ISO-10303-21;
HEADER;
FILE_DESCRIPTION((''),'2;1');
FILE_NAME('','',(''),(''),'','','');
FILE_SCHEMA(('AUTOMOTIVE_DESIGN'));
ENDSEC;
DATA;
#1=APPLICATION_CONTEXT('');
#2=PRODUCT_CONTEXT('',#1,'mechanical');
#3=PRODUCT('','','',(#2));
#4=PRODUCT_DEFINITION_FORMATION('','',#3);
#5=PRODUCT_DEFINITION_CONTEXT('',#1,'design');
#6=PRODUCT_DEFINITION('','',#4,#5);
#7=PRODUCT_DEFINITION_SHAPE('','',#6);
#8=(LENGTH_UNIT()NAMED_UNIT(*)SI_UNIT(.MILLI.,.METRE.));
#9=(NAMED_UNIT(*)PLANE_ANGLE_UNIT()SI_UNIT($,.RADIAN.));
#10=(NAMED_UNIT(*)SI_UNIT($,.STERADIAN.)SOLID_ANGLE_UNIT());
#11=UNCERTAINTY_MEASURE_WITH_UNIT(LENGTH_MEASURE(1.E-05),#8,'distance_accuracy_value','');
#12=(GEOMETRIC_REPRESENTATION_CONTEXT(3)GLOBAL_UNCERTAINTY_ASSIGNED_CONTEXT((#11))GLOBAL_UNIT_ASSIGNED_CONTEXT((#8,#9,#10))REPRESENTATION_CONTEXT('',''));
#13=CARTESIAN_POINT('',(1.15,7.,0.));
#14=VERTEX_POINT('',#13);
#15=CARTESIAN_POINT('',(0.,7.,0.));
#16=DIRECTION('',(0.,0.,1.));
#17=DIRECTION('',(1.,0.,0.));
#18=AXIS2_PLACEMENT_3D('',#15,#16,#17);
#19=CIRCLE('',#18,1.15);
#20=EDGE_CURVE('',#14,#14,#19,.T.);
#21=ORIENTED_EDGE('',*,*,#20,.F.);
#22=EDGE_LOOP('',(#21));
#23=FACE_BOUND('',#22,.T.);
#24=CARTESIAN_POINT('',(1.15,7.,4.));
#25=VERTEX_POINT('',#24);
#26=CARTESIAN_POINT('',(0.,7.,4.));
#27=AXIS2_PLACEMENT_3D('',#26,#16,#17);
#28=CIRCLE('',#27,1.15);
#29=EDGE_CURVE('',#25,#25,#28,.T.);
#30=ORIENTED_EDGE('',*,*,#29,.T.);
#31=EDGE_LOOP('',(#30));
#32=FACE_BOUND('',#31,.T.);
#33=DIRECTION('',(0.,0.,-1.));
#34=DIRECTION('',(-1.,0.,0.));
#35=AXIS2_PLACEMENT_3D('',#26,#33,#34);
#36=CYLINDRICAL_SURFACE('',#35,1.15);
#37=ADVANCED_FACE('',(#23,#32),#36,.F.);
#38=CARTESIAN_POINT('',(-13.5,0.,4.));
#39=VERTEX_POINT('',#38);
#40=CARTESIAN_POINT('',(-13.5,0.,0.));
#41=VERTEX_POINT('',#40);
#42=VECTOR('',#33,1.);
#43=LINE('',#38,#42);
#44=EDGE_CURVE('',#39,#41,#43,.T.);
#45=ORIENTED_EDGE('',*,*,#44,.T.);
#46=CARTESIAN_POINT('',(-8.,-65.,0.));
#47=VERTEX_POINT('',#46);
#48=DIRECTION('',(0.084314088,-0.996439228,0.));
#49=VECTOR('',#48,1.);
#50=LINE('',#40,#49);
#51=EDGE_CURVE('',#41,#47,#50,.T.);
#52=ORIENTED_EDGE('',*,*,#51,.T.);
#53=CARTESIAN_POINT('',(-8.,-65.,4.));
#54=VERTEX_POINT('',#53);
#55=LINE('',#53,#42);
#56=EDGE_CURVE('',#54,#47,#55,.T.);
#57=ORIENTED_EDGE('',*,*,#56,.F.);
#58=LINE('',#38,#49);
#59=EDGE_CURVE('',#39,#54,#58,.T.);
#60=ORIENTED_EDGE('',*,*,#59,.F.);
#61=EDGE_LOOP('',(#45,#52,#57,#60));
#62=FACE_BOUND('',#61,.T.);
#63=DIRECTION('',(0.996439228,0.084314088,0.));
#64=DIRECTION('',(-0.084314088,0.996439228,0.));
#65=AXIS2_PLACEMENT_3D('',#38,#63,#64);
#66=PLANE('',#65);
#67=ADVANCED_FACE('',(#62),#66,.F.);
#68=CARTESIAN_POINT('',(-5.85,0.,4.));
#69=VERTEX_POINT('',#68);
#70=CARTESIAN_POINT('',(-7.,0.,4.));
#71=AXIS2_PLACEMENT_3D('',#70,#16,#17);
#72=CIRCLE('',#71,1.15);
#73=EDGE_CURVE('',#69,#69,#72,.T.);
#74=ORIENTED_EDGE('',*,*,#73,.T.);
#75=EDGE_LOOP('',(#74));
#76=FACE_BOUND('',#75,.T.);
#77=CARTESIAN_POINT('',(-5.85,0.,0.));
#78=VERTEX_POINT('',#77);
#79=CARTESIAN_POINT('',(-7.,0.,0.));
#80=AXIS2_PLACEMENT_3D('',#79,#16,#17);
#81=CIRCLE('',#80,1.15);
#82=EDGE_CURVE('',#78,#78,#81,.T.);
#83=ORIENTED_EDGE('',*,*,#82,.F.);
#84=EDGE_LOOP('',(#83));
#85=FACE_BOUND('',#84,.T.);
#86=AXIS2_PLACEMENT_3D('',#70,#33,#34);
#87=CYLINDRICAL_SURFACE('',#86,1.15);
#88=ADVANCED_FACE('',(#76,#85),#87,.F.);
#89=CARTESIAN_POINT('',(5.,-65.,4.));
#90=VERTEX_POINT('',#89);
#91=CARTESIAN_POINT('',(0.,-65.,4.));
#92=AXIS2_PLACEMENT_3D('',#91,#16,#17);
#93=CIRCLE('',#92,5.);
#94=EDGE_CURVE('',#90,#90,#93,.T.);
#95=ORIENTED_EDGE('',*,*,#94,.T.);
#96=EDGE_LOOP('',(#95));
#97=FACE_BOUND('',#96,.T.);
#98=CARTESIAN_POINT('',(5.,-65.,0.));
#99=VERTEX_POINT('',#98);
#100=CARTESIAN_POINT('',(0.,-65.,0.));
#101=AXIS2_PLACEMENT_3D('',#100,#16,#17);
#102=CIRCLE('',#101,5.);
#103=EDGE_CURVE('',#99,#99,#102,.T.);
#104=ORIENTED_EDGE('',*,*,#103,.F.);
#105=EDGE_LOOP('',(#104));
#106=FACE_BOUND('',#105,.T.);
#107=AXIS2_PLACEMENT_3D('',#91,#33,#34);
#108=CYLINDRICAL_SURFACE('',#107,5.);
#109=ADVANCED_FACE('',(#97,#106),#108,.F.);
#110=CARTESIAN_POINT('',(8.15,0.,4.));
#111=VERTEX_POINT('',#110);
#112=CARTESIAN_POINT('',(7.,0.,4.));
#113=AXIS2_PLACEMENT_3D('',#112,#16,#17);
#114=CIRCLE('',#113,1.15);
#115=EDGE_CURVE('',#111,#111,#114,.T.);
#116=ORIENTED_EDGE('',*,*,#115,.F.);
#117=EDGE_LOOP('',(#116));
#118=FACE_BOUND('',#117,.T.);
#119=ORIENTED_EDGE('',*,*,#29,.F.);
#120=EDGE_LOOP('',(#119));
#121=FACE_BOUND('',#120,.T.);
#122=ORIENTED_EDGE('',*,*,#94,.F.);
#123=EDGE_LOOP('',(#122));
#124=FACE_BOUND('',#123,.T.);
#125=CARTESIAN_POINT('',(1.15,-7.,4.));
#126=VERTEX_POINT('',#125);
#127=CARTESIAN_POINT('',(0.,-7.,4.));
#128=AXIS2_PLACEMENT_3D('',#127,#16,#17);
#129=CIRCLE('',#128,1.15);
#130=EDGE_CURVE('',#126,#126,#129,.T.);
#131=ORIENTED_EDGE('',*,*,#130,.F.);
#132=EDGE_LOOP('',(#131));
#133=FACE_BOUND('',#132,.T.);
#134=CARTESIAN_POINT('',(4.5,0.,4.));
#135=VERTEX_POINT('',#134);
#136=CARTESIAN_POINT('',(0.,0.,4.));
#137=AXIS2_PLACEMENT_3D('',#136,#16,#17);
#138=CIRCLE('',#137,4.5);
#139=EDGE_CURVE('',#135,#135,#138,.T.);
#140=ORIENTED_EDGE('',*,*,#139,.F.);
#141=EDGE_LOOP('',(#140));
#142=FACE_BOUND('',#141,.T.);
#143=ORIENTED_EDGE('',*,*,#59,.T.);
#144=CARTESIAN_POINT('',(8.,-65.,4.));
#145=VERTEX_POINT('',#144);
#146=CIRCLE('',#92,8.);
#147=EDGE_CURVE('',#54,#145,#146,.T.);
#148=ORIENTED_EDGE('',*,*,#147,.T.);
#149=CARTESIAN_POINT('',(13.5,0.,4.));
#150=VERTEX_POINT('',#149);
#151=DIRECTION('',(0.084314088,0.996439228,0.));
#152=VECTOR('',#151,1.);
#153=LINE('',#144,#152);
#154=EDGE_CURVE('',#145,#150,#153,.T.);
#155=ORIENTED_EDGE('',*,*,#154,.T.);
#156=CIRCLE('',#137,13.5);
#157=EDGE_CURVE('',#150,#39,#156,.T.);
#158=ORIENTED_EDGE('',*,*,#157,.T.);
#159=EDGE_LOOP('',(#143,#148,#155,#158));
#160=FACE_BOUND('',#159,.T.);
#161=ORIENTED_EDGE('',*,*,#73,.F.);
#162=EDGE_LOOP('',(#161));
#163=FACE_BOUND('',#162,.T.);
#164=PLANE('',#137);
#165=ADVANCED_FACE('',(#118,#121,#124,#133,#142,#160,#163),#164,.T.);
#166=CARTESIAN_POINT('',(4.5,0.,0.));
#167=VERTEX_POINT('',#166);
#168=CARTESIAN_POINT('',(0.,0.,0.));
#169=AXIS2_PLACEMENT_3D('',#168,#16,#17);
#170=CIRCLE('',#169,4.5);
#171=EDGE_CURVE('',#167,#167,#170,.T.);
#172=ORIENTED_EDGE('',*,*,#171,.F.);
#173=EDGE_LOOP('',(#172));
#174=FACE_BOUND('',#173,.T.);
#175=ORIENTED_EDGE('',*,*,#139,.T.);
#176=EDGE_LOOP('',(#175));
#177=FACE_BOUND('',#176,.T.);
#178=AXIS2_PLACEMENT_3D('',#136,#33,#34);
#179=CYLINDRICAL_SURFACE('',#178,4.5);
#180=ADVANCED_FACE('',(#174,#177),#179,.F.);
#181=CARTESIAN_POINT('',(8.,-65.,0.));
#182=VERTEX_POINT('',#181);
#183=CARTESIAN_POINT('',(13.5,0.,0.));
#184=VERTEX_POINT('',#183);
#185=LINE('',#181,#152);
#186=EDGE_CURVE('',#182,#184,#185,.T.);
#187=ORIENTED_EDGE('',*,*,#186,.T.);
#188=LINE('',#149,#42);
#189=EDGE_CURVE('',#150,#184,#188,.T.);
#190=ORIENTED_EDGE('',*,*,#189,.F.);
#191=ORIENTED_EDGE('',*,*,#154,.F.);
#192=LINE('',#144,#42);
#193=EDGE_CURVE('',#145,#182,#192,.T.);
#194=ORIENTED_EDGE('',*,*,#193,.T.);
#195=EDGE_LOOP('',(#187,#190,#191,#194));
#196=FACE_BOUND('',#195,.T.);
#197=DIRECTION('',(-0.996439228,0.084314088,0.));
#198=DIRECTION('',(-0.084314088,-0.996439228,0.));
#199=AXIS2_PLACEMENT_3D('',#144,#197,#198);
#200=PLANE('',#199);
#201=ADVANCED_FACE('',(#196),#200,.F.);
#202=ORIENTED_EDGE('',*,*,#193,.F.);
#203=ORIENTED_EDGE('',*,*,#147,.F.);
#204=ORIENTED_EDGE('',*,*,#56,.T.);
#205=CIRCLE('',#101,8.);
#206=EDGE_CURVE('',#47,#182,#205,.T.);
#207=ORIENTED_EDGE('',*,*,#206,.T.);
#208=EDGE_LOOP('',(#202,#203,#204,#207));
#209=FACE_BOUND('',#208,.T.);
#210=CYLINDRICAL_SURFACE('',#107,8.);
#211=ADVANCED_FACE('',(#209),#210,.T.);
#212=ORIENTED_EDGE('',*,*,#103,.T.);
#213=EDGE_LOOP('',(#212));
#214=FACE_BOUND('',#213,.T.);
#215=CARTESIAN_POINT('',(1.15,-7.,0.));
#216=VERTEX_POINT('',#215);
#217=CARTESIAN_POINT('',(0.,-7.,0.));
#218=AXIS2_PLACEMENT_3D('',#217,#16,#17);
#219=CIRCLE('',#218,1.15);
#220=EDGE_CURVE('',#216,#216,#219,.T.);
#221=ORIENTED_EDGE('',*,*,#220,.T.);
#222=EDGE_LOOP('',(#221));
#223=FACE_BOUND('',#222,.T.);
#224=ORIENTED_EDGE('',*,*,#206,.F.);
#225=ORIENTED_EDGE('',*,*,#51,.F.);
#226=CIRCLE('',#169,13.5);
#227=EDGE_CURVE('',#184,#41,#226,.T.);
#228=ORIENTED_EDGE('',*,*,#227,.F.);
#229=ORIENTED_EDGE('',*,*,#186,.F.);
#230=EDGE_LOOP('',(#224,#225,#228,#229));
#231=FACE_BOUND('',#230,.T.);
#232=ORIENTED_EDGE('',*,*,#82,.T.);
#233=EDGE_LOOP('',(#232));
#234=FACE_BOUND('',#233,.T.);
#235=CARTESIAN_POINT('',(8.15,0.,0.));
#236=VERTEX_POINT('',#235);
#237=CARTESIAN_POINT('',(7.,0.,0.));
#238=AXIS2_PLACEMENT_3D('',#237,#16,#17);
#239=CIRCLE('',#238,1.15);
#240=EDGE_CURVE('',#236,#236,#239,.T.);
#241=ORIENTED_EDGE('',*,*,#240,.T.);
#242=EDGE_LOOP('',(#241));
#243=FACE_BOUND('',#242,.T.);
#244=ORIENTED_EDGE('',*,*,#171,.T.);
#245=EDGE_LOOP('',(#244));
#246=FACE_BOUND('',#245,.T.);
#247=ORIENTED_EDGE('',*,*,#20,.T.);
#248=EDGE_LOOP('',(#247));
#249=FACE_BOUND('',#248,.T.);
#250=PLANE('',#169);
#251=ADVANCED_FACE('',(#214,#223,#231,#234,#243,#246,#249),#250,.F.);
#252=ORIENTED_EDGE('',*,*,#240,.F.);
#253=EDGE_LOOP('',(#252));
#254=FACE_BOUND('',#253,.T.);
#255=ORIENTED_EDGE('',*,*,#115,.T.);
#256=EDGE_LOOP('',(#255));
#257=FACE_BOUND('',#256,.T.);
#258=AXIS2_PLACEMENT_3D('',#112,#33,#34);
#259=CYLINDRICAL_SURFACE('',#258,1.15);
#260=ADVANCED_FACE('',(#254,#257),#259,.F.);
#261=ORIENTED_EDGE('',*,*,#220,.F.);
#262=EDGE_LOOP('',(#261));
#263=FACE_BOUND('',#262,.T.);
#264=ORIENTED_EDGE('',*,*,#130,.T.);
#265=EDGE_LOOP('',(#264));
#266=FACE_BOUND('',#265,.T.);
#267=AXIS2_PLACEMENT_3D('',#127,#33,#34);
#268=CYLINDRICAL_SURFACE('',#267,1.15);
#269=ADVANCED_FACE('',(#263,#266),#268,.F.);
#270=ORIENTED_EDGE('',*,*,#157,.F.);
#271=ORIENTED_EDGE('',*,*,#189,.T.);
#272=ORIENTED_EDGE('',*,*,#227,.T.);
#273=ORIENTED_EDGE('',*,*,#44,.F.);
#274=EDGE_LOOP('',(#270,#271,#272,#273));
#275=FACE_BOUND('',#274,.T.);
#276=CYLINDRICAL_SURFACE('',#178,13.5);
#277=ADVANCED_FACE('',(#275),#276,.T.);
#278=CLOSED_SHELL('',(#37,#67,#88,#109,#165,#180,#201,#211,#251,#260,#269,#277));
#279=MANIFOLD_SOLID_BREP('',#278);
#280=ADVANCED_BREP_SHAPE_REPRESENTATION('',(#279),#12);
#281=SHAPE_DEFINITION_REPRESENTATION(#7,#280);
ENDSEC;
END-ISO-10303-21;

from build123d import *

# Parameters (mm, degrees)
SKETCH_1_R      = 4.5
SKETCH_1_R_2    = 1.15
SKETCH_1_R_3    = 5
EXTRUDE_1_DEPTH = 4


with BuildPart() as part:
    # 草图1 → 凸台-拉伸1 (new body)
    with BuildSketch(Plane.XY):
        with BuildLine():
            Line((-13.5, 0), (-8, -65))
            ThreePointArc((-8, -65), (0, -73), (8, -65))
            Line((8, -65), (13.5, 0))
            ThreePointArc((13.5, 0), (0, 13.5), (-13.5, 0))
        make_face()
        Circle(SKETCH_1_R, mode=Mode.SUBTRACT)
        with Locations((0, 7)):
            Circle(SKETCH_1_R_2, mode=Mode.SUBTRACT)
        with Locations((7, 0)):
            Circle(SKETCH_1_R_2, mode=Mode.SUBTRACT)
        with Locations((0, -7)):
            Circle(SKETCH_1_R_2, mode=Mode.SUBTRACT)
        with Locations((-7, 0)):
            Circle(SKETCH_1_R_2, mode=Mode.SUBTRACT)
        with Locations((0, -65)):
            Circle(SKETCH_1_R_3, mode=Mode.SUBTRACT)
    extrude(amount=EXTRUDE_1_DEPTH)


solid = part.part
